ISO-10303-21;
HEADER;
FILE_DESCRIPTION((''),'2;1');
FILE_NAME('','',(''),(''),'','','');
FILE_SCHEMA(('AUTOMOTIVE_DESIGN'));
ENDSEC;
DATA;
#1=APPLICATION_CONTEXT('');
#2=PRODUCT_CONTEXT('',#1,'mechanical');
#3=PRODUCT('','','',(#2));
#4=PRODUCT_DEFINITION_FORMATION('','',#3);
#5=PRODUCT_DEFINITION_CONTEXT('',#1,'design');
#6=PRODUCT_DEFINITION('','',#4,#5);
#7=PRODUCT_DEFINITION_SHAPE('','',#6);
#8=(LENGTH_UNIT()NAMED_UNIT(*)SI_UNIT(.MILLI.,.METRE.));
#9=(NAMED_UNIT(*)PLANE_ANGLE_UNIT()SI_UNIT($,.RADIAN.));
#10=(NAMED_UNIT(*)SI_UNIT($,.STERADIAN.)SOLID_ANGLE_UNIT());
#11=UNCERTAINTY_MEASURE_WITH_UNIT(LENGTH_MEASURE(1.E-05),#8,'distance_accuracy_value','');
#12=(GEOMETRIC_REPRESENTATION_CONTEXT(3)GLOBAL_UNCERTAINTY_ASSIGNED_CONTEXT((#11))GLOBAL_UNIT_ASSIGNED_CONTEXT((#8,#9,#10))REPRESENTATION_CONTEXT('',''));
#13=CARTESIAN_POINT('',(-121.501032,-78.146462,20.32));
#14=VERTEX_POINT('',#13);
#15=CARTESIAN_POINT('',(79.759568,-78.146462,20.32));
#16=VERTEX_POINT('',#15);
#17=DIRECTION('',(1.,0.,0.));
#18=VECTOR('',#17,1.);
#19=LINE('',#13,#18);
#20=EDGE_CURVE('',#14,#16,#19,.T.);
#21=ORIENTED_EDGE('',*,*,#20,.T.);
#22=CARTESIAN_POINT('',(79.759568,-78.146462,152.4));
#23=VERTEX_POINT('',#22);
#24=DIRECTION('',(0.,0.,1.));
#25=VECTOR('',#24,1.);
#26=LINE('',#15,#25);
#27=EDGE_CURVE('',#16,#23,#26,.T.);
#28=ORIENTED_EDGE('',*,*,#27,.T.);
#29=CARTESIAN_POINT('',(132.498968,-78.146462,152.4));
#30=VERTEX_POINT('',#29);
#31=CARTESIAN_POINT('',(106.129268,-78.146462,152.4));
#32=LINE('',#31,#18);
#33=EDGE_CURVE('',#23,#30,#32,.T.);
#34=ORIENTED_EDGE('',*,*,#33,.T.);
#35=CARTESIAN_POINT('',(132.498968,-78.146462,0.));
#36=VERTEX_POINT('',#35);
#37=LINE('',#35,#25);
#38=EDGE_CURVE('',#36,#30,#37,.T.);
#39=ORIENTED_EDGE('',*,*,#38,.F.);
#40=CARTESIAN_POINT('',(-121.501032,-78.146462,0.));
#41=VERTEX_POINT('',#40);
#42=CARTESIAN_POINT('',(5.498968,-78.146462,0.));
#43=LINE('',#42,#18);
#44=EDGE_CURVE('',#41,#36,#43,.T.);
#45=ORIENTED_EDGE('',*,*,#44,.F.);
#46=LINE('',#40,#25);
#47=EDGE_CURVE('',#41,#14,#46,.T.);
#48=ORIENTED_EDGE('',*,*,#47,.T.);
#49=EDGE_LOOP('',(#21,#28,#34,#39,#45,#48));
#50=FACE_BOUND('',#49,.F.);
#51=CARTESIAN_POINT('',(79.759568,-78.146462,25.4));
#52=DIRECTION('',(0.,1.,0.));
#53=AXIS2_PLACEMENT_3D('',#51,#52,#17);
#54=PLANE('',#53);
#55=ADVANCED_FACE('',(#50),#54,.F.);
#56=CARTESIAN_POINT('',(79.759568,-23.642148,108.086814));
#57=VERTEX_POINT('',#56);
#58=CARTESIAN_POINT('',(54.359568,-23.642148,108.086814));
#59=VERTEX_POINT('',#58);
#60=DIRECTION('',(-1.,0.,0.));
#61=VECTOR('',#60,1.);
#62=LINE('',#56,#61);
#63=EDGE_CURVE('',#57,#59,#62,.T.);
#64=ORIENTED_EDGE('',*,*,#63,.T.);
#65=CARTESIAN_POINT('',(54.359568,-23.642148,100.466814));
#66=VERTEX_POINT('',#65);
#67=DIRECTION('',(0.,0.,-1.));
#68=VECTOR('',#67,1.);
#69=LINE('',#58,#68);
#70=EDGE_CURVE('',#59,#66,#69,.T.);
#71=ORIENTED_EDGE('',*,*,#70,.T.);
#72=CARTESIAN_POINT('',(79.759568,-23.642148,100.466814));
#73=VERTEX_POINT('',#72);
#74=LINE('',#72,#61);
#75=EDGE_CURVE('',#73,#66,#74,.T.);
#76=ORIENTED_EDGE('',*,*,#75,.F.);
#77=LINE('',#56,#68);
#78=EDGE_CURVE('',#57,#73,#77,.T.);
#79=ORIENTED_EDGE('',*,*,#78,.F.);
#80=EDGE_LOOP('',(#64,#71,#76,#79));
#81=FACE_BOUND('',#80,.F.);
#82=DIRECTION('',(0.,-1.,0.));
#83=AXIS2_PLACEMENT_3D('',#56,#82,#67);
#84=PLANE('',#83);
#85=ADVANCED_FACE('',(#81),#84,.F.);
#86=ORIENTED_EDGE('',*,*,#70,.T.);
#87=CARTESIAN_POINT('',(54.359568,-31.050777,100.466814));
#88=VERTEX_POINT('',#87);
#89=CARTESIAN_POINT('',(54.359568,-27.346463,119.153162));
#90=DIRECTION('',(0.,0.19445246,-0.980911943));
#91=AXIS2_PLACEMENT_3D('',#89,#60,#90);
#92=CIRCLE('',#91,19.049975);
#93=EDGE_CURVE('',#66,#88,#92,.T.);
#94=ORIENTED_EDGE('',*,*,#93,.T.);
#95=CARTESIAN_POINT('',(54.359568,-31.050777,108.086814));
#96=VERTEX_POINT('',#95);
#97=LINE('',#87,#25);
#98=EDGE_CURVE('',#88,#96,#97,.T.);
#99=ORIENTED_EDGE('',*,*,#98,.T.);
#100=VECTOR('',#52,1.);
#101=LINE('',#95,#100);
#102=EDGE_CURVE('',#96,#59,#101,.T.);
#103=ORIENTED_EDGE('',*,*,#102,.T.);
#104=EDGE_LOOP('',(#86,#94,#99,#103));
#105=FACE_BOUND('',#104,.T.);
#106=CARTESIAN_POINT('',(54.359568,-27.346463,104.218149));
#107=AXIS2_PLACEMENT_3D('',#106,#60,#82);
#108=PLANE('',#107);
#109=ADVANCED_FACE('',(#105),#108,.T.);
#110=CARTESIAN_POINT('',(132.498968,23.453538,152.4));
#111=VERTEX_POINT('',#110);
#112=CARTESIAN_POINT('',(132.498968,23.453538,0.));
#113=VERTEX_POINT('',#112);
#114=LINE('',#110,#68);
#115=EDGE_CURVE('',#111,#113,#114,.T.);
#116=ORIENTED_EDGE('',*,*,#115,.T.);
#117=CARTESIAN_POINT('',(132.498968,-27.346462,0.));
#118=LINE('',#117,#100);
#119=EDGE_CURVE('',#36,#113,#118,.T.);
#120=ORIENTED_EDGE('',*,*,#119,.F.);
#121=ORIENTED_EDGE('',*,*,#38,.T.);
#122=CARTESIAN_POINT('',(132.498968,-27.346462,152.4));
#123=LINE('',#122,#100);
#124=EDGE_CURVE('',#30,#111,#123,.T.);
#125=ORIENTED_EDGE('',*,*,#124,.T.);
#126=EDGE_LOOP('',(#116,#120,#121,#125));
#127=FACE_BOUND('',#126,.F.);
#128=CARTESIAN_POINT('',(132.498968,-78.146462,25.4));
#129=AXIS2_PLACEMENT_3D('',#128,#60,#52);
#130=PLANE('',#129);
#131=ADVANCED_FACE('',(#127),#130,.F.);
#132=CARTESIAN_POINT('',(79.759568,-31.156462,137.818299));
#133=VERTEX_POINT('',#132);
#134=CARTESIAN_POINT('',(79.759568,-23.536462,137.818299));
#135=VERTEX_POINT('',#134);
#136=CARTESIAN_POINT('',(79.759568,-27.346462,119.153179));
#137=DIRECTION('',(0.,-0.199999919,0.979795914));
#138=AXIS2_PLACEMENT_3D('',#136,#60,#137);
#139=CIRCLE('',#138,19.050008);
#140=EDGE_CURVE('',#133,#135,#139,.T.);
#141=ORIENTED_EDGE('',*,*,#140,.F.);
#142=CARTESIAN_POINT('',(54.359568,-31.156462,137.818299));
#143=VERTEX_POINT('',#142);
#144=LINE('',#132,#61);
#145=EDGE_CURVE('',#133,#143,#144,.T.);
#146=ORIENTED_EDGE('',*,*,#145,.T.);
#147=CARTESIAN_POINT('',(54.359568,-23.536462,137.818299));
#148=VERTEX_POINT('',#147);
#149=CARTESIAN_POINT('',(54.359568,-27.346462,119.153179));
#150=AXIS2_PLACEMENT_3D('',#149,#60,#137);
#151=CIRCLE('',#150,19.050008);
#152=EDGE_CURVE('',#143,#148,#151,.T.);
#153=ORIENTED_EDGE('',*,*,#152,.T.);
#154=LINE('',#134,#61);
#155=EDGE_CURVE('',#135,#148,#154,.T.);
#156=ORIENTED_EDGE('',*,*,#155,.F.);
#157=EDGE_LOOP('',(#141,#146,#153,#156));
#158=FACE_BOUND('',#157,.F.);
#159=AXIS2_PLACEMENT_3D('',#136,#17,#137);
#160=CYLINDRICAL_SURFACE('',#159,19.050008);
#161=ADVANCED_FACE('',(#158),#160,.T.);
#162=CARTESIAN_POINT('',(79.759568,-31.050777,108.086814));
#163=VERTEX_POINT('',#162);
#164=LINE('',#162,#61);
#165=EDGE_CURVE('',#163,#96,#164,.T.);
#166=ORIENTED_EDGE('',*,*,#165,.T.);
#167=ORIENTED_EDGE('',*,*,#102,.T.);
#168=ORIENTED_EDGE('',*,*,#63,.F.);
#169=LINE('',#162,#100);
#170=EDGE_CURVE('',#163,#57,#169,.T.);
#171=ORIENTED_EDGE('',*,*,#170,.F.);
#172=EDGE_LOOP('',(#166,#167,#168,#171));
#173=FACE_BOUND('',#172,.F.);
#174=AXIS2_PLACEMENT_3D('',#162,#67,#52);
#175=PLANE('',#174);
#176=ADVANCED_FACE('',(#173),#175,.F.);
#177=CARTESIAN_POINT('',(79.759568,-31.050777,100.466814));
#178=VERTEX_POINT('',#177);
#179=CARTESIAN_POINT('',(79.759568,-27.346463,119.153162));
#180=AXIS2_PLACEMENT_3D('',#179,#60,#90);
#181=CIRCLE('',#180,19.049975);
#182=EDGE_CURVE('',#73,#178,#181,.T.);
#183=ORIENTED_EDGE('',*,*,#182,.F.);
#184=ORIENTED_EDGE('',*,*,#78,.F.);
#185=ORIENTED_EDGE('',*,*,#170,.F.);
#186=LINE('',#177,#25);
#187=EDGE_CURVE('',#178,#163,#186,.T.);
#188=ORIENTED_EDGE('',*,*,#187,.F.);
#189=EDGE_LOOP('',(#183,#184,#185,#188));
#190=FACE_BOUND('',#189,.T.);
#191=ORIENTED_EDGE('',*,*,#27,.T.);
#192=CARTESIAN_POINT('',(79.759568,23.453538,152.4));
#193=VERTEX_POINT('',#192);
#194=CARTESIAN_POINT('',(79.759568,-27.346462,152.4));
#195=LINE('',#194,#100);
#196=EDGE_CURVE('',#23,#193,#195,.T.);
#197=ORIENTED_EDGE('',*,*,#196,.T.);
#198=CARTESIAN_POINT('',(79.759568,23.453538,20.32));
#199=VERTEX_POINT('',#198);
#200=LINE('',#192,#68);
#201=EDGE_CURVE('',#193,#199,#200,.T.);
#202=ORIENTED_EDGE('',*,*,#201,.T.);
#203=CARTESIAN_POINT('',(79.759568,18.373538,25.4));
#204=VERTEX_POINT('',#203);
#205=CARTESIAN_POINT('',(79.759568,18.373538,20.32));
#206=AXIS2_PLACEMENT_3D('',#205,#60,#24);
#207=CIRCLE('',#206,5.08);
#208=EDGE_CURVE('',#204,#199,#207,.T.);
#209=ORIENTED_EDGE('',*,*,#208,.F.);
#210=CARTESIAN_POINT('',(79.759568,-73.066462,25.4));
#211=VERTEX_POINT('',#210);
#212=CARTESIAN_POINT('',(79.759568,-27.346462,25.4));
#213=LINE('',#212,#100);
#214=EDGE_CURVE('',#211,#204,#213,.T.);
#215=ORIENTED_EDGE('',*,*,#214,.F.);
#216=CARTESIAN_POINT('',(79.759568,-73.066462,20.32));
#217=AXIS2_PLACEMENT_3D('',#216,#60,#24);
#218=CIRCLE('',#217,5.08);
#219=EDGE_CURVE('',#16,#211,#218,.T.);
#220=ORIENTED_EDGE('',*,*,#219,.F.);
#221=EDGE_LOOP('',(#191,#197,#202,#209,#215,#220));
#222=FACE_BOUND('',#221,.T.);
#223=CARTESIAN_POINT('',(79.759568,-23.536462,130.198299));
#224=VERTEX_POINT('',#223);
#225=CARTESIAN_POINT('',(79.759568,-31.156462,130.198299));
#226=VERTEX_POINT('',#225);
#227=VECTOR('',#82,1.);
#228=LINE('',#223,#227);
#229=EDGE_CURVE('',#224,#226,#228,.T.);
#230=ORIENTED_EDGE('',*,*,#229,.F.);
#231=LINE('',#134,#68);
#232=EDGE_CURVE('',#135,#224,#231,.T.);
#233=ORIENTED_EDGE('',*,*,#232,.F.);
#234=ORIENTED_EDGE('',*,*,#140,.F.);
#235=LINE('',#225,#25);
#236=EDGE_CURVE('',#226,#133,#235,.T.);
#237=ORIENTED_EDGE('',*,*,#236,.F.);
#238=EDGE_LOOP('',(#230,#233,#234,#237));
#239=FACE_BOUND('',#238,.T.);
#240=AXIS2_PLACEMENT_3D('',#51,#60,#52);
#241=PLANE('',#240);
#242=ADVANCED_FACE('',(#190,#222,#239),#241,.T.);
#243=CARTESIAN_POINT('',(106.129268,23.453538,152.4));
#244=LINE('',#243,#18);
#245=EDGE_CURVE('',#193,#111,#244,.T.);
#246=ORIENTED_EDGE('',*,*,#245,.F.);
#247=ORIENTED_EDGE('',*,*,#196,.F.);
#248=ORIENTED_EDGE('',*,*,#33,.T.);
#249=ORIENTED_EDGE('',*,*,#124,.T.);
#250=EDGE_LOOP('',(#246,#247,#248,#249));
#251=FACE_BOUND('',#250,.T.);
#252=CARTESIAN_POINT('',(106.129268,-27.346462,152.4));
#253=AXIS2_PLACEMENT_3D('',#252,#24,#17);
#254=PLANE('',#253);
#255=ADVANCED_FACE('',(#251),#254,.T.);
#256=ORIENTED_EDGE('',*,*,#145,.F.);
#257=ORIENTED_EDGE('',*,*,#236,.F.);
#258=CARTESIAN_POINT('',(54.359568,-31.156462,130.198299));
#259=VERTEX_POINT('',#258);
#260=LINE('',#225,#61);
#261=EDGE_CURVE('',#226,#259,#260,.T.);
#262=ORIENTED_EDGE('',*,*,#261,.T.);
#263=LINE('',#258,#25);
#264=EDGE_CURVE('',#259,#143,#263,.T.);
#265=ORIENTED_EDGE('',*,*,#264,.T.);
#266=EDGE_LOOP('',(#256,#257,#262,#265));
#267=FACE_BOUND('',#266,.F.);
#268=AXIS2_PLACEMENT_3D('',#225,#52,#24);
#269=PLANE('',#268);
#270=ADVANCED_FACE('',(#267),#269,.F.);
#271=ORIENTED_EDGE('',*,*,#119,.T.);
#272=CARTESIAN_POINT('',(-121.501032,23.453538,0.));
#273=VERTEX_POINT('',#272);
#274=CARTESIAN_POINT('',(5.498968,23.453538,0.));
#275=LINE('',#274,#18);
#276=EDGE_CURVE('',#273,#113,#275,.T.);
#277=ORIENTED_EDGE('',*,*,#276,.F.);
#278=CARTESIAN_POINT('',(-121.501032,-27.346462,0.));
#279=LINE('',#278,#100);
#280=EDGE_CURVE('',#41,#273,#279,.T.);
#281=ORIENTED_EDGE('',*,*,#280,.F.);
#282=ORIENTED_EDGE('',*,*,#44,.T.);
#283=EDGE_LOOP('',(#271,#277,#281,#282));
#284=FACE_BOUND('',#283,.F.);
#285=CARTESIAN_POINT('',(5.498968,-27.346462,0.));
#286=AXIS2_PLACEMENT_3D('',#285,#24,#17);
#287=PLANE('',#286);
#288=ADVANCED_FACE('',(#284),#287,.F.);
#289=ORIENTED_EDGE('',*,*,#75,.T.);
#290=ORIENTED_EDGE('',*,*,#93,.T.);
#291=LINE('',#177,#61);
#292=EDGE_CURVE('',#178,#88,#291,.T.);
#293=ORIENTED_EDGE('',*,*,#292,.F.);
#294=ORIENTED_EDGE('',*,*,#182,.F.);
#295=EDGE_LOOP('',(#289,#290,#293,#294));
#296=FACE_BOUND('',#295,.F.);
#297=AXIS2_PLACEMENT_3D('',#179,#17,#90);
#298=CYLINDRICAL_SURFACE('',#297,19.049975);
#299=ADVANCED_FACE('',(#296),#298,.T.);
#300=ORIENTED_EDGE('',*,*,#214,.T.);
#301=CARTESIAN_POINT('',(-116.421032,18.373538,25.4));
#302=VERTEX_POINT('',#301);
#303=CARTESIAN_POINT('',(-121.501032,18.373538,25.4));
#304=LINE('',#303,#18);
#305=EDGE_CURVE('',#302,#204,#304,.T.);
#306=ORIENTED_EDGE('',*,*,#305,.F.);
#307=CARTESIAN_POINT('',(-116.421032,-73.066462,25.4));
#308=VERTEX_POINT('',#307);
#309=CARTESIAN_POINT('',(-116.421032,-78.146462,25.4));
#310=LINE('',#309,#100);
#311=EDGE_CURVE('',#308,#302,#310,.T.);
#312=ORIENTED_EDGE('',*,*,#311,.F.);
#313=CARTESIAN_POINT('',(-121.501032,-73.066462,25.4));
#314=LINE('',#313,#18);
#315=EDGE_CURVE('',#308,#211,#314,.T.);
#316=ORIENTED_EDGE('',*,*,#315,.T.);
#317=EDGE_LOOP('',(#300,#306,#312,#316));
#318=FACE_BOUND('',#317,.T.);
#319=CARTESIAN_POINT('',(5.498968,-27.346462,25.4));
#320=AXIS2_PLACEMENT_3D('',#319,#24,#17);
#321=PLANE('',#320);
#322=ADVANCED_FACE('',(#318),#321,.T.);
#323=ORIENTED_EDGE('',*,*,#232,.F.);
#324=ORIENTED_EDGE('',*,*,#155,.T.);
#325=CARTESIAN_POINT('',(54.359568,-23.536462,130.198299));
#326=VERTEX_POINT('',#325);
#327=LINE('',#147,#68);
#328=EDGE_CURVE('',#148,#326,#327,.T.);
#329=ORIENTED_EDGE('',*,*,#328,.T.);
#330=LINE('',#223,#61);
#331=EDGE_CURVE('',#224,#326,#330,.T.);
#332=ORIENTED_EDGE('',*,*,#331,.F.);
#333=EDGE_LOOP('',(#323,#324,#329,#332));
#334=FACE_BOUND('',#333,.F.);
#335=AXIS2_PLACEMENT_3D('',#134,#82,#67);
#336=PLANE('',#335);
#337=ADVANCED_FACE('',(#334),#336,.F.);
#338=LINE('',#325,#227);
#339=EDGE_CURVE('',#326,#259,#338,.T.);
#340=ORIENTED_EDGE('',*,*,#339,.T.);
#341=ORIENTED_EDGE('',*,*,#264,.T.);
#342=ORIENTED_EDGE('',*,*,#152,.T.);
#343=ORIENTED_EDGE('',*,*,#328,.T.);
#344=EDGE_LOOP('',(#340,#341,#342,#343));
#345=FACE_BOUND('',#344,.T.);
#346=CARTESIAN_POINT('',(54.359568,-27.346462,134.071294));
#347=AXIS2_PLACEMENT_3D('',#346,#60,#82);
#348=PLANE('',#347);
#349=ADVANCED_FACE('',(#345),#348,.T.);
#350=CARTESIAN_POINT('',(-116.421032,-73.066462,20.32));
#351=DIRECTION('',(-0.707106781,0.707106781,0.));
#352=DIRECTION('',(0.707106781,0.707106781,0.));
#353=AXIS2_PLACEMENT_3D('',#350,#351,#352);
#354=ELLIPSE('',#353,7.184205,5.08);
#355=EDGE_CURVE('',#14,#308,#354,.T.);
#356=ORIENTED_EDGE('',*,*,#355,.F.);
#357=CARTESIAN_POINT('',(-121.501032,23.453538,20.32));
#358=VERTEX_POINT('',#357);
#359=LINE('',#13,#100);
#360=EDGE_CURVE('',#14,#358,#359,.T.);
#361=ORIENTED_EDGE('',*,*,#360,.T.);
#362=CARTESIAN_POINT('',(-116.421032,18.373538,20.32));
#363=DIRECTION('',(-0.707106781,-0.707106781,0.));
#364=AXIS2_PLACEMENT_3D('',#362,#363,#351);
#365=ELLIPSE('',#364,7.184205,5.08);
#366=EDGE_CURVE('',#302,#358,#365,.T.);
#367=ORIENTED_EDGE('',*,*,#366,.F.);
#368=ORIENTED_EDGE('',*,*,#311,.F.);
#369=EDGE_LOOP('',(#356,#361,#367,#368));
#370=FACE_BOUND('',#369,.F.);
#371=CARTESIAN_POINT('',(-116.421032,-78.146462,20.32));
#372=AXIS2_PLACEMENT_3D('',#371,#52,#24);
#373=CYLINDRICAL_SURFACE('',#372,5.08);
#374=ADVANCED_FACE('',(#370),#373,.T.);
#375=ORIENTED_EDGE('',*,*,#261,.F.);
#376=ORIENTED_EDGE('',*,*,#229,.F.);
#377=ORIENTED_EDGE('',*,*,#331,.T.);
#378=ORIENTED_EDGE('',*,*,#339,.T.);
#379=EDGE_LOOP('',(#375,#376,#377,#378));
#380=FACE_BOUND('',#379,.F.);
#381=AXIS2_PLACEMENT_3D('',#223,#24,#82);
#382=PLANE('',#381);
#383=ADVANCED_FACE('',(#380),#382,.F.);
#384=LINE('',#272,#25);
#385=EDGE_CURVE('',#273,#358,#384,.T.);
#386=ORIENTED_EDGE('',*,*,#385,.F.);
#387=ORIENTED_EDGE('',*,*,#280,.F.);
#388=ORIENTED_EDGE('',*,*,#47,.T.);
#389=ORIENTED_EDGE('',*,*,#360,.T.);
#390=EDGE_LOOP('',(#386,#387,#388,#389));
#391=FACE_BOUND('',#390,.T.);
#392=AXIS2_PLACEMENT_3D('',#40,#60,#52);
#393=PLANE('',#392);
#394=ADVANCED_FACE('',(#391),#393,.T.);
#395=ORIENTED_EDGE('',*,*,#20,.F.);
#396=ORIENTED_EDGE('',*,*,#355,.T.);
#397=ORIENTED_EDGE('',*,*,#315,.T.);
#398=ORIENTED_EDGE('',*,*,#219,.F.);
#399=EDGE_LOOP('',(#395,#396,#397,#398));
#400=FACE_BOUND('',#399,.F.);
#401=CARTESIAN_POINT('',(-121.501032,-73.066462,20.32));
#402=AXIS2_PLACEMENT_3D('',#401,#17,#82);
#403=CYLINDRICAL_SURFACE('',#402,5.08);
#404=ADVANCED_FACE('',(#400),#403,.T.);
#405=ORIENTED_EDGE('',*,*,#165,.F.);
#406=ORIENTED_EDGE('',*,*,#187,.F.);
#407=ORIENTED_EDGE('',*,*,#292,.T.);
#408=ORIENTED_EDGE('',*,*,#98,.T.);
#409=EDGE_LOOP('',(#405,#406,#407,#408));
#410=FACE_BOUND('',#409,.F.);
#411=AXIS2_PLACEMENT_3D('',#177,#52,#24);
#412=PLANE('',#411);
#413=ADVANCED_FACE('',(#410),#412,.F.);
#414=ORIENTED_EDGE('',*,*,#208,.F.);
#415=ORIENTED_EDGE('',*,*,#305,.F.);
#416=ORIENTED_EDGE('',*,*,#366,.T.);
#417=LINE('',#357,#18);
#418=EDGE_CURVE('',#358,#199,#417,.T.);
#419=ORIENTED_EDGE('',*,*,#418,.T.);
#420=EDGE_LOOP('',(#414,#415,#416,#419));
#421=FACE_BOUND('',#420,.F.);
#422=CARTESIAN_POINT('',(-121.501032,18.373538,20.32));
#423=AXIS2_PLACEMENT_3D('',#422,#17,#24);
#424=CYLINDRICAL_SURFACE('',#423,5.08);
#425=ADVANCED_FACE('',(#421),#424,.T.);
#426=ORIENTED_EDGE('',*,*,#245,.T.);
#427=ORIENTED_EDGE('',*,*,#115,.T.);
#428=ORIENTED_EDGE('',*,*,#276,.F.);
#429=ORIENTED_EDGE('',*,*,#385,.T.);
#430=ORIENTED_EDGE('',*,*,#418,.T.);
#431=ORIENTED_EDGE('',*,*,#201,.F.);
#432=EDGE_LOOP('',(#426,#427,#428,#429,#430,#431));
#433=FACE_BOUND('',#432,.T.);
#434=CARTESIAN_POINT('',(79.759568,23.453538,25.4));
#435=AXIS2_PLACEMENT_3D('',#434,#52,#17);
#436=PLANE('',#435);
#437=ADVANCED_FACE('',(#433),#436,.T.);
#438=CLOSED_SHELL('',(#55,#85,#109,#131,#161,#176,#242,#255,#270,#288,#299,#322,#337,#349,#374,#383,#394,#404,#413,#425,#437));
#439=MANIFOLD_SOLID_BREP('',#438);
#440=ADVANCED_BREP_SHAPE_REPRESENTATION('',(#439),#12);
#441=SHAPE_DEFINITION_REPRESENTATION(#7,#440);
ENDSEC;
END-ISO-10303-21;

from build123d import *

# Parameters (mm, degrees)
F0_W     = 254
F0_H     = 101.6
F1_DEPTH = 25.4
F2_W     = 52.7394
F2_H     = 101.6
F3_DEPTH = 127
F5_DEPTH = 25.4
F6_R     = 5.08


with BuildPart() as f1:
    # F0 (on Top) → F1 (new body)
    with BuildSketch(Plane.XY):
        with Locations((5.498968, -27.346462)):
            Rectangle(F0_W, F0_H)
    extrude(amount=F1_DEPTH)

    # F2 (on face) → F3 (join)
    with BuildSketch(Plane.XY.offset(25.4)):
        with Locations((106.129268, -27.346462)):
            Rectangle(F2_W, F2_H)
    extrude(amount=F3_DEPTH)

    # F4 (on face) → F5 (join)
    with BuildSketch(Plane(origin=(79.759568, 0, 0), x_dir=(0, -1, 0), z_dir=(-1, 0, 0))):
        with BuildLine():
            ThreePointArc((31.156462, 137.818299), (27.346462, 138.203187), (23.536462, 137.818299))
            Line((23.536462, 137.818299), (23.536462, 130.198299))
            Line((23.536462, 130.198299), (31.156462, 130.198299))
            Line((31.156462, 130.198299), (31.156462, 137.818299))
        make_face()
        with BuildLine():
            Line((23.642148, 108.086814), (23.642148, 100.466814))
            ThreePointArc((23.642148, 100.466814), (27.346462, 100.103187), (31.050777, 100.466814))
            Line((31.050777, 100.466814), (31.050777, 108.086814))
            Line((31.050777, 108.086814), (23.642148, 108.086814))
        make_face()
    extrude(amount=F5_DEPTH)

    # F6
    f6_edges = [f1.edges().sort_by_distance(p)[0] for p in [
        (-20.870732, -78.146462, 25.4),
        (-121.501032, -27.346462, 25.4),
        (-20.870732, 23.453538, 25.4),
    ]]
    fillet(f6_edges, radius=F6_R)


solid = f1.part
